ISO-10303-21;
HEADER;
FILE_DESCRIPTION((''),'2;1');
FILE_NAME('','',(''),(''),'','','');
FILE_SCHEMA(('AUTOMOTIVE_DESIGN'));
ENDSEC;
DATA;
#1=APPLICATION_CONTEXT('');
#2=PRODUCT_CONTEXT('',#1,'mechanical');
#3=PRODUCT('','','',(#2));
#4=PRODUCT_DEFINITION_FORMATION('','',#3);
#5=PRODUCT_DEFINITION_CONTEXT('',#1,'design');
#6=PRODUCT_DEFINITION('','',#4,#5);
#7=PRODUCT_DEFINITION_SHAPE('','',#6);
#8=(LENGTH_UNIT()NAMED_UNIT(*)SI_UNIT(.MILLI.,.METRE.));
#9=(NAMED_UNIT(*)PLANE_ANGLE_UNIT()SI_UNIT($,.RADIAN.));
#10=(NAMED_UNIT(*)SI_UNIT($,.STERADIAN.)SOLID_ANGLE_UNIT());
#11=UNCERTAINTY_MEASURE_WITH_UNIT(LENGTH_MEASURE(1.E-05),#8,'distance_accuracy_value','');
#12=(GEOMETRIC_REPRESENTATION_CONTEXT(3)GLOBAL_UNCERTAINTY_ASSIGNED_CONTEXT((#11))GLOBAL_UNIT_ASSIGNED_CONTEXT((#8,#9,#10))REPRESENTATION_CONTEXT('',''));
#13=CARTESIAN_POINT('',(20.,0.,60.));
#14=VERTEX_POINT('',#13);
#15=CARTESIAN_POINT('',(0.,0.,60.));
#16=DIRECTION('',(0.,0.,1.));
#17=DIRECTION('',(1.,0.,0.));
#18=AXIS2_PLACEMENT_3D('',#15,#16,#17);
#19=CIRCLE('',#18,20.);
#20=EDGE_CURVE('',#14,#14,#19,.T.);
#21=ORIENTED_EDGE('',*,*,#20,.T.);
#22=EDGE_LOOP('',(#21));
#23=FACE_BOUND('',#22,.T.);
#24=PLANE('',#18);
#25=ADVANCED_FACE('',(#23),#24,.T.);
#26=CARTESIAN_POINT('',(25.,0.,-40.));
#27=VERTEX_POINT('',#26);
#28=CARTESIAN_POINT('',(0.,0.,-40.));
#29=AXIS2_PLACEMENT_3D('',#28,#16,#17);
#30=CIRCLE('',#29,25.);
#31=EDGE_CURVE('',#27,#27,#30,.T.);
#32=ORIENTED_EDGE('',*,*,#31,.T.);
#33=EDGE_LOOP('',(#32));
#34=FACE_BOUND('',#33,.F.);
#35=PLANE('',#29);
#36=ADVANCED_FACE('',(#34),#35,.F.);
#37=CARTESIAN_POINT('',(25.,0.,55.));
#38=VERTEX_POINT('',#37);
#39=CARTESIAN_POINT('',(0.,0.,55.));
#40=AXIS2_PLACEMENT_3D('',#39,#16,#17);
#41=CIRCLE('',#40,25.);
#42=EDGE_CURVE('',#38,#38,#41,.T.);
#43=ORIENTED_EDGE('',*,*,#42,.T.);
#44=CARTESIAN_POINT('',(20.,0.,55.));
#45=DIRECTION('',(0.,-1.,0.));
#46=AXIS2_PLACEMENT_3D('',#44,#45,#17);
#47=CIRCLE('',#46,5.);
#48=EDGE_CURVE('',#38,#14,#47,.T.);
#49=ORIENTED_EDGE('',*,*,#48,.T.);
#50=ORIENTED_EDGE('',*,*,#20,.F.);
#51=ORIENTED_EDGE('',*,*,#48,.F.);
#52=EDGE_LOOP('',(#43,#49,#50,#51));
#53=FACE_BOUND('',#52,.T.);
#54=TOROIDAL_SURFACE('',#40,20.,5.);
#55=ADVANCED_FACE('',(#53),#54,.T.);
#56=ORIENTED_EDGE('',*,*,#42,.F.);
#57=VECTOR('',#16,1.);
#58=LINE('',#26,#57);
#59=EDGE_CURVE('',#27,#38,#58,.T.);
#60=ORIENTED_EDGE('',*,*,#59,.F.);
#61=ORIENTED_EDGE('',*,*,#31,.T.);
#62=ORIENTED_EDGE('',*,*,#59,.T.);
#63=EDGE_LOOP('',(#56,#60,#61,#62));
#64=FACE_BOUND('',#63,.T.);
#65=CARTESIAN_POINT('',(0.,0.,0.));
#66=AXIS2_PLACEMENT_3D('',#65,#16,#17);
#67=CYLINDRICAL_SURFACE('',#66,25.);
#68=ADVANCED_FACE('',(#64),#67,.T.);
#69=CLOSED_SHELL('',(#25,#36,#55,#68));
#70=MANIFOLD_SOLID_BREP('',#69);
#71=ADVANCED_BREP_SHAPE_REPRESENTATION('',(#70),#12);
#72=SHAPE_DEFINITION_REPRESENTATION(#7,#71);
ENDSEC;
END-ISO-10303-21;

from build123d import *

# Parameters (mm, degrees)
F0_R          = 25
F1_DEPTH      = 60
F1_DEPTH_BACK = 40
F2_R          = 5


with BuildPart() as f1:
    # F0 (on Top) → F1 (new body, two sides)
    with BuildSketch(Plane.XY) as f1_sk:
        Circle(F0_R)
    extrude(amount=F1_DEPTH)
    extrude(f1_sk.sketch, amount=-F1_DEPTH_BACK)

    # F2
    f2_edges = [f1.edges().sort_by_distance(p)[0] for p in [
        (-25, 0, 60),
    ]]
    fillet(f2_edges, radius=F2_R)


solid = f1.part
